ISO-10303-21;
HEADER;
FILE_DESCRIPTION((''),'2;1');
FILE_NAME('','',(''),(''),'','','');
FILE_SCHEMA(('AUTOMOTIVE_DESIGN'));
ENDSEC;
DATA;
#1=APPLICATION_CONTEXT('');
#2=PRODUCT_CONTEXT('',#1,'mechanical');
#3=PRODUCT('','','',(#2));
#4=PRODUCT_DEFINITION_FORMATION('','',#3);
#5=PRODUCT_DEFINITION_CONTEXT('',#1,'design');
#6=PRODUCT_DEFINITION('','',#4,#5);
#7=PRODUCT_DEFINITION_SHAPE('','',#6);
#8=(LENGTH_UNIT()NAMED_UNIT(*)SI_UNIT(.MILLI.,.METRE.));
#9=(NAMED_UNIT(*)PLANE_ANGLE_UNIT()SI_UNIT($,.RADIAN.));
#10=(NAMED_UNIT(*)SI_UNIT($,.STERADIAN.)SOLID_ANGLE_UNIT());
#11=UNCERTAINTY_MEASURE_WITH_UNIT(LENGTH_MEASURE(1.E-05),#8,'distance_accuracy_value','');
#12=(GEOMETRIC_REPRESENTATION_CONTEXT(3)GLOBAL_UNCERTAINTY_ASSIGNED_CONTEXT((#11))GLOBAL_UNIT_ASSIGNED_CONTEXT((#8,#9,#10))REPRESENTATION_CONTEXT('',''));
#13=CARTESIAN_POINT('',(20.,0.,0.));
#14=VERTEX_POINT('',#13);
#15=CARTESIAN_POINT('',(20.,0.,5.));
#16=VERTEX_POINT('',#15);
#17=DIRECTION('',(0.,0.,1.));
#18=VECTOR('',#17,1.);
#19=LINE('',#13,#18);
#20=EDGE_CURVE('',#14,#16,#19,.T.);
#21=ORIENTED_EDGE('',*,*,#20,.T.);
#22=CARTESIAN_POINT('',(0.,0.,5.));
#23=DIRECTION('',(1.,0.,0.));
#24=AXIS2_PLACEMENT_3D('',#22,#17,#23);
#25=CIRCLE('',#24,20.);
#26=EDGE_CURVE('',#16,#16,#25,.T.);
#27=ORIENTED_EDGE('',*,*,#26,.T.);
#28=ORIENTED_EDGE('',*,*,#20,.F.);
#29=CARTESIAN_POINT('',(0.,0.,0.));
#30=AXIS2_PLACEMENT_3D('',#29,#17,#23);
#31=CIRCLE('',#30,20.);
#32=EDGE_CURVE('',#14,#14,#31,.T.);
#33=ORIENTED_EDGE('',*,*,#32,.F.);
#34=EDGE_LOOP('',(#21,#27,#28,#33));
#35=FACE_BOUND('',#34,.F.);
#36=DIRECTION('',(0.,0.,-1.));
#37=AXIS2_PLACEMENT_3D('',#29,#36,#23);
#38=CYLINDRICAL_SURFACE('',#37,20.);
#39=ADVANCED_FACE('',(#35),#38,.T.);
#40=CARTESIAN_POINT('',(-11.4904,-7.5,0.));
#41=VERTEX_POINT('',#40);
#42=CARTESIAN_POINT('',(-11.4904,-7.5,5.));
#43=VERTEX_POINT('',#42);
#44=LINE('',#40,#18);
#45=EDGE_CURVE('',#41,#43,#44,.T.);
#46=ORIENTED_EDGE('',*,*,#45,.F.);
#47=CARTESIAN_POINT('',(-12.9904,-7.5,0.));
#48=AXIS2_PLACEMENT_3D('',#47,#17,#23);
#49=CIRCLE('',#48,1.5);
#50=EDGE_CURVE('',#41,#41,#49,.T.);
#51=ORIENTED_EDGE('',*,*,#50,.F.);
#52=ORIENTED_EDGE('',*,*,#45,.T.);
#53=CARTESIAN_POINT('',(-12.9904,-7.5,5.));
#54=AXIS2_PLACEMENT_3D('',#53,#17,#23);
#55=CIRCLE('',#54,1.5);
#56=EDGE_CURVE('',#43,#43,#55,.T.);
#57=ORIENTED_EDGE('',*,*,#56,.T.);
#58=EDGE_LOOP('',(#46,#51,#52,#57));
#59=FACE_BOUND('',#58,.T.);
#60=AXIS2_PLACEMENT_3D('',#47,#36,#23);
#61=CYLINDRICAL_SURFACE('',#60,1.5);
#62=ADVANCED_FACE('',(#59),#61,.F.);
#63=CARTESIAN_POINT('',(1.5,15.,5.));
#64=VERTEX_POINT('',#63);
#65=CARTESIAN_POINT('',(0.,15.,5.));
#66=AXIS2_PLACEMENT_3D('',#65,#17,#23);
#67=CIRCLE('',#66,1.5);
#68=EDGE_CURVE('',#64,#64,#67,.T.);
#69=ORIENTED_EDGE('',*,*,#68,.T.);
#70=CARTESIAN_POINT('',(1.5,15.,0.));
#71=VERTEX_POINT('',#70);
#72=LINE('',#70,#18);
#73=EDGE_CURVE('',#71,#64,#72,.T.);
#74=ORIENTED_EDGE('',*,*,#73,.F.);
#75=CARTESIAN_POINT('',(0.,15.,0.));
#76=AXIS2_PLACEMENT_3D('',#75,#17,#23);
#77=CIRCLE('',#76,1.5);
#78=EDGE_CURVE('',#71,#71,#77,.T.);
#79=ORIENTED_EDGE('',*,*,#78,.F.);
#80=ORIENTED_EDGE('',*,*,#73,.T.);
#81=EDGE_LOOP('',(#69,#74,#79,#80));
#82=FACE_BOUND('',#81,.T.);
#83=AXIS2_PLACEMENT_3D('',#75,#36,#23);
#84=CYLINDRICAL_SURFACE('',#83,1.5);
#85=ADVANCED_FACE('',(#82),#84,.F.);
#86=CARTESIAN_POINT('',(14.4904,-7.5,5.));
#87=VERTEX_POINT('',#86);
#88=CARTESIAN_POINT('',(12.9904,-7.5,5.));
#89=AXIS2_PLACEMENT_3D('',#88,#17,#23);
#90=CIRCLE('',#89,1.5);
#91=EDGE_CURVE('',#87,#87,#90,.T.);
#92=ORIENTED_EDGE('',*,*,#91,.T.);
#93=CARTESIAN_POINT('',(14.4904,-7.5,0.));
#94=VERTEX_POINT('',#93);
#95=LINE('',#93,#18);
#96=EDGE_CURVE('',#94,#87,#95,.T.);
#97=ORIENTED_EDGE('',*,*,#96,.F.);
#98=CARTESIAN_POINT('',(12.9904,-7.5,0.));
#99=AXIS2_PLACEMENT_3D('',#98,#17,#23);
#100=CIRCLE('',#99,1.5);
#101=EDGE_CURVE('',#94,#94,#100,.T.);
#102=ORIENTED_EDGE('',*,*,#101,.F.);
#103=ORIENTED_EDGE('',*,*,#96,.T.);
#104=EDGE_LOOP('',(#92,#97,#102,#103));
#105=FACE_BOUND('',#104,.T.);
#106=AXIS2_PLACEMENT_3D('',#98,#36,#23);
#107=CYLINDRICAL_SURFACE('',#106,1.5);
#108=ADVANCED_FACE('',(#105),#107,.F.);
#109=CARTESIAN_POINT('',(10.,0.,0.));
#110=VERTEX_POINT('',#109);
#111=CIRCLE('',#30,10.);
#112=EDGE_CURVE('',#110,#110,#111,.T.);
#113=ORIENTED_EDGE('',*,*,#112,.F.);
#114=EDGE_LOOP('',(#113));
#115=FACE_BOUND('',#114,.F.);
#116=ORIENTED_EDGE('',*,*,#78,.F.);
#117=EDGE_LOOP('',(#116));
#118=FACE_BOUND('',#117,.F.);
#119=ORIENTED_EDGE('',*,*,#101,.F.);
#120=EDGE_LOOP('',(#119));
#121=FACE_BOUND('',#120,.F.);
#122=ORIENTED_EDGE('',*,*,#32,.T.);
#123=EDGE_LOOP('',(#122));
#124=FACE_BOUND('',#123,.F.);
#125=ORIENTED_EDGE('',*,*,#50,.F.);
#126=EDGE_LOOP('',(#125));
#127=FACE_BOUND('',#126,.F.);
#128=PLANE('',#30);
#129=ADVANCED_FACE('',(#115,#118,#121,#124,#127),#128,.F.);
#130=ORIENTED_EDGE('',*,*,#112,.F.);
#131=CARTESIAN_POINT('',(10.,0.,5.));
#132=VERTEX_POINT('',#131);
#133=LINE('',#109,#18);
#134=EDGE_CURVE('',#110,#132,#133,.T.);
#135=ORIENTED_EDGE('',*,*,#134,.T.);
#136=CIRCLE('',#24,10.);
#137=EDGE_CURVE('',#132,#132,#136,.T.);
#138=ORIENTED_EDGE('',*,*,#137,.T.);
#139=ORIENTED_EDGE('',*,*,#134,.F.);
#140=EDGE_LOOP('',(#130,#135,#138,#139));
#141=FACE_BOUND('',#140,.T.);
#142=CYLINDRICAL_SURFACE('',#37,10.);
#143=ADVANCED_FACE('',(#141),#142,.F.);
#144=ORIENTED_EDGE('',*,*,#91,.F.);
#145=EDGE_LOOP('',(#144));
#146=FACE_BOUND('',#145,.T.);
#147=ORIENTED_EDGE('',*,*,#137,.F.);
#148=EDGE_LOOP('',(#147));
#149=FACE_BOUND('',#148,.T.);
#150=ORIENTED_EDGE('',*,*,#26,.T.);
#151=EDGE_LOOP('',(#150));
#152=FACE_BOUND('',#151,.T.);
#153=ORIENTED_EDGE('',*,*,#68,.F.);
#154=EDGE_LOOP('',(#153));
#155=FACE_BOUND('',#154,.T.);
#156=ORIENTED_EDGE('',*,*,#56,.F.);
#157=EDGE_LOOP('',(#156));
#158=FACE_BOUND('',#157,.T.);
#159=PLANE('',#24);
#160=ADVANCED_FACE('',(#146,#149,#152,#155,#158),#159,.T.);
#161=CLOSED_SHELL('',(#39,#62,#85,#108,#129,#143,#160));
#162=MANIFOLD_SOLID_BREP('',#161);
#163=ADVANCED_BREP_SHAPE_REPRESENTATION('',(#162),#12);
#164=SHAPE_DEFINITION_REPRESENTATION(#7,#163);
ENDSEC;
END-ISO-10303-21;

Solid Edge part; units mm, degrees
sketch "Sketch1" plane through (0, 0, 0) normal (0, 0, 1) x (1, 0, 0)
  circle A0 centre (0, 0) radius 10
  circle A1 centre (-12.9904, -7.5) radius 1.5
  circle A2 centre (12.9904, -7.5) radius 1.5
  circle A3 centre (0, 0) radius 20
  circle A4 centre (0, 15) radius 1.5
  dimension "D1" = 20
  dimension "D2" = 3
  dimension "D3" = 30
extrude "Protrusion1" add sketch "Sketch1" along normal blind 5
